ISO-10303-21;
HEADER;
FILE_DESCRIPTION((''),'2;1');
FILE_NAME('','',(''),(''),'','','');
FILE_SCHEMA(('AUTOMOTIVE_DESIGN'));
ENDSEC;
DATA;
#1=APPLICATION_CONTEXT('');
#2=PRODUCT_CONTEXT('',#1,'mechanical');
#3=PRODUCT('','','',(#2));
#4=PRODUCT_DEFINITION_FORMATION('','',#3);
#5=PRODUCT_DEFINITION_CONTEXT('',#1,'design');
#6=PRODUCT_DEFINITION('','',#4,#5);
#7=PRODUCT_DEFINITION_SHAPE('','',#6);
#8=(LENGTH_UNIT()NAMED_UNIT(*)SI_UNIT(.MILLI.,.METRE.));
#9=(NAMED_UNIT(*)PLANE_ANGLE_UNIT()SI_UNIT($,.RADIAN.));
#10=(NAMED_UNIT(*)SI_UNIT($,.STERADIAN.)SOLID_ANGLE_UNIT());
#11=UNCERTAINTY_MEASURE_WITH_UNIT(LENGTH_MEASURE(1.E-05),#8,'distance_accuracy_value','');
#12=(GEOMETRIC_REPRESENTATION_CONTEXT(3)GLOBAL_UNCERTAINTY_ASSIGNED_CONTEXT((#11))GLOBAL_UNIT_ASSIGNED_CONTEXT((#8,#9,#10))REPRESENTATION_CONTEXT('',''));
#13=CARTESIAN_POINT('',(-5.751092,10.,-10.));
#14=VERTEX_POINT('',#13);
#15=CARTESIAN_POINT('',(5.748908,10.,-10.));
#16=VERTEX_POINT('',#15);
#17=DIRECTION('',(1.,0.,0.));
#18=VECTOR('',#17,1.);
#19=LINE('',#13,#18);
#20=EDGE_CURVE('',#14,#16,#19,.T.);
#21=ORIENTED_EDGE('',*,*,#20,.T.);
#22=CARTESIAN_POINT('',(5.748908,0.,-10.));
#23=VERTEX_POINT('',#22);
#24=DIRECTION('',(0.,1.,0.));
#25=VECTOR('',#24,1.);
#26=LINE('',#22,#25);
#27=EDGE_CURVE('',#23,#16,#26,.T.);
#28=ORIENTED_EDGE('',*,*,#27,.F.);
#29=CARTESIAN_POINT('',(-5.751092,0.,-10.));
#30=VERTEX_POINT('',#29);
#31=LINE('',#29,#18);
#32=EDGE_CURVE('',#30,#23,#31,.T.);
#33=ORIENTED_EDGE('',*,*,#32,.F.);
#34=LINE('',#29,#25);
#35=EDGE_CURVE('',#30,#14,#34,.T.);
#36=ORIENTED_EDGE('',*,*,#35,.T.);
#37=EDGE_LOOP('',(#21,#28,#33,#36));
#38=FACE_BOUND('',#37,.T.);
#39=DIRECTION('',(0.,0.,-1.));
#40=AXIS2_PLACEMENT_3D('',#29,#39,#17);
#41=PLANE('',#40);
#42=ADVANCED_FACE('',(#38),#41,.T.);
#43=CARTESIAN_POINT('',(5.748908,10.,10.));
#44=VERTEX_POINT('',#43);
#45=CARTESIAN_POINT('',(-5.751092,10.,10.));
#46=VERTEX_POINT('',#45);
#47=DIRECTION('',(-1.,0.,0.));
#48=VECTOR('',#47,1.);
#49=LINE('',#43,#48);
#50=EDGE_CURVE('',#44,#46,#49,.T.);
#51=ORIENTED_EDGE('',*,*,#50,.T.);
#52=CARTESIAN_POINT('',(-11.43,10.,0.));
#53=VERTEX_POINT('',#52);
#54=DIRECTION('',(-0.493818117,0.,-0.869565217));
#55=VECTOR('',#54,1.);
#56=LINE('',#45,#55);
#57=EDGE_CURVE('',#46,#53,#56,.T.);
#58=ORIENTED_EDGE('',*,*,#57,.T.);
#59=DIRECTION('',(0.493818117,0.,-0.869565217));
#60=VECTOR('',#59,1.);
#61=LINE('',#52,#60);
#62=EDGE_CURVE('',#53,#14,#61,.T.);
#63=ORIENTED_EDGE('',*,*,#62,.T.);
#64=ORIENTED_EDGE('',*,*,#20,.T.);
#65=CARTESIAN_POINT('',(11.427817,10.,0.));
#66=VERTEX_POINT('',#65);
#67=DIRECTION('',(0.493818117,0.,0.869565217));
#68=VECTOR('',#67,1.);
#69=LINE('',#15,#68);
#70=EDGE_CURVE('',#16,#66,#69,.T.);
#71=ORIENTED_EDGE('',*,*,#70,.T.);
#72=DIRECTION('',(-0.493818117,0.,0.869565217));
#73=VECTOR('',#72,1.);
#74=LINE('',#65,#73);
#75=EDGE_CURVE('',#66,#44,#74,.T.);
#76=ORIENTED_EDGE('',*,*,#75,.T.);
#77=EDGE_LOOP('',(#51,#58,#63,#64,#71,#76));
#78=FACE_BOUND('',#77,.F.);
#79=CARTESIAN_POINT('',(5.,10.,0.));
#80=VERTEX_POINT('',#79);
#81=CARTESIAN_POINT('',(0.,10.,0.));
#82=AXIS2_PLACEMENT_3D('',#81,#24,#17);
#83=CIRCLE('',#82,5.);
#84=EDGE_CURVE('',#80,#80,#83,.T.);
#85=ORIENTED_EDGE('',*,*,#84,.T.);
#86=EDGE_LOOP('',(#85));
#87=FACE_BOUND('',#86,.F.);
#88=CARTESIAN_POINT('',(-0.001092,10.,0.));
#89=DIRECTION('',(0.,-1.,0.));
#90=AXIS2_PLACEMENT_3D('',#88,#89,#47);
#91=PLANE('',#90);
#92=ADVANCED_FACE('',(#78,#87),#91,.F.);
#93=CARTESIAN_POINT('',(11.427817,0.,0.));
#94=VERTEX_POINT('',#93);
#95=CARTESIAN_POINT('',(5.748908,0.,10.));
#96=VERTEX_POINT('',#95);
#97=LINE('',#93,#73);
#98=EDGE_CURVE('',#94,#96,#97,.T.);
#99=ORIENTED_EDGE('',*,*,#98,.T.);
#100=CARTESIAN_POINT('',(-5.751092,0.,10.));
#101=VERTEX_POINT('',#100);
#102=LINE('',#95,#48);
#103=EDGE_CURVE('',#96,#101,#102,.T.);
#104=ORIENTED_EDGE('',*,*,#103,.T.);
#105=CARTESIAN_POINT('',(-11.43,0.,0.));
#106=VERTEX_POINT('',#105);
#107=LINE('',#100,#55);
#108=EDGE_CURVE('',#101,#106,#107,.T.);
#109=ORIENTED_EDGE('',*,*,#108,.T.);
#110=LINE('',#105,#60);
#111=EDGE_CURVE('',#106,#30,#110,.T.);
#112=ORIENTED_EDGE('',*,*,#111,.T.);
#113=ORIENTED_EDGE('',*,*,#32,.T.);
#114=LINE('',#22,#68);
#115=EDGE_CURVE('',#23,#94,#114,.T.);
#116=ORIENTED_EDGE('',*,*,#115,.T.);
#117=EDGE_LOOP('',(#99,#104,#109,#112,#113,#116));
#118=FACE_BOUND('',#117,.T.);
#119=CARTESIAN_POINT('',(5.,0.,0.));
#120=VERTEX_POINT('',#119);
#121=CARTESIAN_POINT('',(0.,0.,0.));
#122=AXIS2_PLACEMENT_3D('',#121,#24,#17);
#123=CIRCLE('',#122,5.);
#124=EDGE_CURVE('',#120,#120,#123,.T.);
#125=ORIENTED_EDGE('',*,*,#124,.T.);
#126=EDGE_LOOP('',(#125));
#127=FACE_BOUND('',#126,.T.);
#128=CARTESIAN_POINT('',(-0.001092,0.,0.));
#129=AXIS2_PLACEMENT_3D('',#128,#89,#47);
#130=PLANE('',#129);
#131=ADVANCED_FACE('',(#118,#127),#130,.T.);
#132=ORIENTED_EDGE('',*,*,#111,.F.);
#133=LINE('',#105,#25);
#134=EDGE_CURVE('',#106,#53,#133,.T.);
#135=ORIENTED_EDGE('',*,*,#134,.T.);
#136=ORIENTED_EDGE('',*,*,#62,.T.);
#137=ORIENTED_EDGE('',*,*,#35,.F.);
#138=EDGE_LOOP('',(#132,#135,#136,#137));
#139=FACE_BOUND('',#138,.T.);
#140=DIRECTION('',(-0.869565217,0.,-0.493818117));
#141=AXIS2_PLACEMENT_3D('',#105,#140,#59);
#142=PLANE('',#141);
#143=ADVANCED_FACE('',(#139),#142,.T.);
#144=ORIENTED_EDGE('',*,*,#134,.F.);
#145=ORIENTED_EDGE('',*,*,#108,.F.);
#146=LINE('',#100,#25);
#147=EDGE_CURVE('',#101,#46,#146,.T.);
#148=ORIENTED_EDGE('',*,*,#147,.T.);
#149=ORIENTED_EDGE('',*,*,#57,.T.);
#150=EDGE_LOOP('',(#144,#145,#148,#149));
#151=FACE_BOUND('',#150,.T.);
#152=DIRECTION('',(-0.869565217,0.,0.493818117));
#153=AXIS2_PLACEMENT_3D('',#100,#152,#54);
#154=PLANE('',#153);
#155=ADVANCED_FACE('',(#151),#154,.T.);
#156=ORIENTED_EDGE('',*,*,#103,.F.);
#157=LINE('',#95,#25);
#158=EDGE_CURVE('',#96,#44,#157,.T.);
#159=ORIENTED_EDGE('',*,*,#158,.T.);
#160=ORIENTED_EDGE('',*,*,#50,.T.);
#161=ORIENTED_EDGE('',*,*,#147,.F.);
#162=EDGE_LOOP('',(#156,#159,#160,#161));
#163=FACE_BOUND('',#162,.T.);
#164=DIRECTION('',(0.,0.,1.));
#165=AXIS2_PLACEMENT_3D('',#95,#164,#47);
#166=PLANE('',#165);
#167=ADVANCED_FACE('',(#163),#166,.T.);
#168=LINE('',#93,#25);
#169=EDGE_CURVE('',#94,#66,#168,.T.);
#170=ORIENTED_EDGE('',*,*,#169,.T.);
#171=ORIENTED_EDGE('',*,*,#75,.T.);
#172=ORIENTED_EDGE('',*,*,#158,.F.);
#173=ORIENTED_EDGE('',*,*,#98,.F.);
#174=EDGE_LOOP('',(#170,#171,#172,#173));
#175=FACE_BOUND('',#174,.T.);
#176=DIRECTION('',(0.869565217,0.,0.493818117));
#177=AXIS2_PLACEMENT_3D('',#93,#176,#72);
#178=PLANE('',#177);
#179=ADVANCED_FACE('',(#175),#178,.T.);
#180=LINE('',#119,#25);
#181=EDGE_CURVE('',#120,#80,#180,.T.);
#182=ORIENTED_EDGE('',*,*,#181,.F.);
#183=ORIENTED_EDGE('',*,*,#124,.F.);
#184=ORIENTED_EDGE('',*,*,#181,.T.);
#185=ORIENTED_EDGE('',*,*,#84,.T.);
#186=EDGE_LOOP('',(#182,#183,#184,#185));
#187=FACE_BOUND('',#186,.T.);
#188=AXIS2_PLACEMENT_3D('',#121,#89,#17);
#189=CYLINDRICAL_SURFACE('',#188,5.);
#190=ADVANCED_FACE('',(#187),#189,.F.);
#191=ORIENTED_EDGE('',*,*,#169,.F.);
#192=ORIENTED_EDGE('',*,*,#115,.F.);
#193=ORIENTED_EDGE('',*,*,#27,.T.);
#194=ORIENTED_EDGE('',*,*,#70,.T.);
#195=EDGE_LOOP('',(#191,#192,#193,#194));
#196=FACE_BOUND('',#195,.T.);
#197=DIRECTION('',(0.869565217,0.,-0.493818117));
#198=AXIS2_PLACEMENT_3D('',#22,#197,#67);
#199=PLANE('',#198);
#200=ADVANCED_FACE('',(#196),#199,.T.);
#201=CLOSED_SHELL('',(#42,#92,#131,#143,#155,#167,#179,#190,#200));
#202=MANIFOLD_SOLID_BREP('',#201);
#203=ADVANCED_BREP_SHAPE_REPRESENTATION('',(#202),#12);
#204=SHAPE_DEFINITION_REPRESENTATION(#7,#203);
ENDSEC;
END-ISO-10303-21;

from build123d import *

# Parameters (mm, degrees)
SKETCH1_R           = 5
BOSS_EXTRUDE1_DEPTH = 10


with BuildPart() as part:
    # Sketch1 → Boss-Extrude1 (new body)
    with BuildSketch(Plane(origin=(0, 0, 0), x_dir=(1, 0, 0), z_dir=(0, 1, 0))):
        Polygon((-5.751091654, 10), (5.748908346, 10), (11.427816692, 0), (5.748908346, -10), (-5.751091654, -10), (-11.43, 0), align=None)
        Circle(SKETCH1_R, mode=Mode.SUBTRACT)
    extrude(amount=BOSS_EXTRUDE1_DEPTH)


solid = part.part
